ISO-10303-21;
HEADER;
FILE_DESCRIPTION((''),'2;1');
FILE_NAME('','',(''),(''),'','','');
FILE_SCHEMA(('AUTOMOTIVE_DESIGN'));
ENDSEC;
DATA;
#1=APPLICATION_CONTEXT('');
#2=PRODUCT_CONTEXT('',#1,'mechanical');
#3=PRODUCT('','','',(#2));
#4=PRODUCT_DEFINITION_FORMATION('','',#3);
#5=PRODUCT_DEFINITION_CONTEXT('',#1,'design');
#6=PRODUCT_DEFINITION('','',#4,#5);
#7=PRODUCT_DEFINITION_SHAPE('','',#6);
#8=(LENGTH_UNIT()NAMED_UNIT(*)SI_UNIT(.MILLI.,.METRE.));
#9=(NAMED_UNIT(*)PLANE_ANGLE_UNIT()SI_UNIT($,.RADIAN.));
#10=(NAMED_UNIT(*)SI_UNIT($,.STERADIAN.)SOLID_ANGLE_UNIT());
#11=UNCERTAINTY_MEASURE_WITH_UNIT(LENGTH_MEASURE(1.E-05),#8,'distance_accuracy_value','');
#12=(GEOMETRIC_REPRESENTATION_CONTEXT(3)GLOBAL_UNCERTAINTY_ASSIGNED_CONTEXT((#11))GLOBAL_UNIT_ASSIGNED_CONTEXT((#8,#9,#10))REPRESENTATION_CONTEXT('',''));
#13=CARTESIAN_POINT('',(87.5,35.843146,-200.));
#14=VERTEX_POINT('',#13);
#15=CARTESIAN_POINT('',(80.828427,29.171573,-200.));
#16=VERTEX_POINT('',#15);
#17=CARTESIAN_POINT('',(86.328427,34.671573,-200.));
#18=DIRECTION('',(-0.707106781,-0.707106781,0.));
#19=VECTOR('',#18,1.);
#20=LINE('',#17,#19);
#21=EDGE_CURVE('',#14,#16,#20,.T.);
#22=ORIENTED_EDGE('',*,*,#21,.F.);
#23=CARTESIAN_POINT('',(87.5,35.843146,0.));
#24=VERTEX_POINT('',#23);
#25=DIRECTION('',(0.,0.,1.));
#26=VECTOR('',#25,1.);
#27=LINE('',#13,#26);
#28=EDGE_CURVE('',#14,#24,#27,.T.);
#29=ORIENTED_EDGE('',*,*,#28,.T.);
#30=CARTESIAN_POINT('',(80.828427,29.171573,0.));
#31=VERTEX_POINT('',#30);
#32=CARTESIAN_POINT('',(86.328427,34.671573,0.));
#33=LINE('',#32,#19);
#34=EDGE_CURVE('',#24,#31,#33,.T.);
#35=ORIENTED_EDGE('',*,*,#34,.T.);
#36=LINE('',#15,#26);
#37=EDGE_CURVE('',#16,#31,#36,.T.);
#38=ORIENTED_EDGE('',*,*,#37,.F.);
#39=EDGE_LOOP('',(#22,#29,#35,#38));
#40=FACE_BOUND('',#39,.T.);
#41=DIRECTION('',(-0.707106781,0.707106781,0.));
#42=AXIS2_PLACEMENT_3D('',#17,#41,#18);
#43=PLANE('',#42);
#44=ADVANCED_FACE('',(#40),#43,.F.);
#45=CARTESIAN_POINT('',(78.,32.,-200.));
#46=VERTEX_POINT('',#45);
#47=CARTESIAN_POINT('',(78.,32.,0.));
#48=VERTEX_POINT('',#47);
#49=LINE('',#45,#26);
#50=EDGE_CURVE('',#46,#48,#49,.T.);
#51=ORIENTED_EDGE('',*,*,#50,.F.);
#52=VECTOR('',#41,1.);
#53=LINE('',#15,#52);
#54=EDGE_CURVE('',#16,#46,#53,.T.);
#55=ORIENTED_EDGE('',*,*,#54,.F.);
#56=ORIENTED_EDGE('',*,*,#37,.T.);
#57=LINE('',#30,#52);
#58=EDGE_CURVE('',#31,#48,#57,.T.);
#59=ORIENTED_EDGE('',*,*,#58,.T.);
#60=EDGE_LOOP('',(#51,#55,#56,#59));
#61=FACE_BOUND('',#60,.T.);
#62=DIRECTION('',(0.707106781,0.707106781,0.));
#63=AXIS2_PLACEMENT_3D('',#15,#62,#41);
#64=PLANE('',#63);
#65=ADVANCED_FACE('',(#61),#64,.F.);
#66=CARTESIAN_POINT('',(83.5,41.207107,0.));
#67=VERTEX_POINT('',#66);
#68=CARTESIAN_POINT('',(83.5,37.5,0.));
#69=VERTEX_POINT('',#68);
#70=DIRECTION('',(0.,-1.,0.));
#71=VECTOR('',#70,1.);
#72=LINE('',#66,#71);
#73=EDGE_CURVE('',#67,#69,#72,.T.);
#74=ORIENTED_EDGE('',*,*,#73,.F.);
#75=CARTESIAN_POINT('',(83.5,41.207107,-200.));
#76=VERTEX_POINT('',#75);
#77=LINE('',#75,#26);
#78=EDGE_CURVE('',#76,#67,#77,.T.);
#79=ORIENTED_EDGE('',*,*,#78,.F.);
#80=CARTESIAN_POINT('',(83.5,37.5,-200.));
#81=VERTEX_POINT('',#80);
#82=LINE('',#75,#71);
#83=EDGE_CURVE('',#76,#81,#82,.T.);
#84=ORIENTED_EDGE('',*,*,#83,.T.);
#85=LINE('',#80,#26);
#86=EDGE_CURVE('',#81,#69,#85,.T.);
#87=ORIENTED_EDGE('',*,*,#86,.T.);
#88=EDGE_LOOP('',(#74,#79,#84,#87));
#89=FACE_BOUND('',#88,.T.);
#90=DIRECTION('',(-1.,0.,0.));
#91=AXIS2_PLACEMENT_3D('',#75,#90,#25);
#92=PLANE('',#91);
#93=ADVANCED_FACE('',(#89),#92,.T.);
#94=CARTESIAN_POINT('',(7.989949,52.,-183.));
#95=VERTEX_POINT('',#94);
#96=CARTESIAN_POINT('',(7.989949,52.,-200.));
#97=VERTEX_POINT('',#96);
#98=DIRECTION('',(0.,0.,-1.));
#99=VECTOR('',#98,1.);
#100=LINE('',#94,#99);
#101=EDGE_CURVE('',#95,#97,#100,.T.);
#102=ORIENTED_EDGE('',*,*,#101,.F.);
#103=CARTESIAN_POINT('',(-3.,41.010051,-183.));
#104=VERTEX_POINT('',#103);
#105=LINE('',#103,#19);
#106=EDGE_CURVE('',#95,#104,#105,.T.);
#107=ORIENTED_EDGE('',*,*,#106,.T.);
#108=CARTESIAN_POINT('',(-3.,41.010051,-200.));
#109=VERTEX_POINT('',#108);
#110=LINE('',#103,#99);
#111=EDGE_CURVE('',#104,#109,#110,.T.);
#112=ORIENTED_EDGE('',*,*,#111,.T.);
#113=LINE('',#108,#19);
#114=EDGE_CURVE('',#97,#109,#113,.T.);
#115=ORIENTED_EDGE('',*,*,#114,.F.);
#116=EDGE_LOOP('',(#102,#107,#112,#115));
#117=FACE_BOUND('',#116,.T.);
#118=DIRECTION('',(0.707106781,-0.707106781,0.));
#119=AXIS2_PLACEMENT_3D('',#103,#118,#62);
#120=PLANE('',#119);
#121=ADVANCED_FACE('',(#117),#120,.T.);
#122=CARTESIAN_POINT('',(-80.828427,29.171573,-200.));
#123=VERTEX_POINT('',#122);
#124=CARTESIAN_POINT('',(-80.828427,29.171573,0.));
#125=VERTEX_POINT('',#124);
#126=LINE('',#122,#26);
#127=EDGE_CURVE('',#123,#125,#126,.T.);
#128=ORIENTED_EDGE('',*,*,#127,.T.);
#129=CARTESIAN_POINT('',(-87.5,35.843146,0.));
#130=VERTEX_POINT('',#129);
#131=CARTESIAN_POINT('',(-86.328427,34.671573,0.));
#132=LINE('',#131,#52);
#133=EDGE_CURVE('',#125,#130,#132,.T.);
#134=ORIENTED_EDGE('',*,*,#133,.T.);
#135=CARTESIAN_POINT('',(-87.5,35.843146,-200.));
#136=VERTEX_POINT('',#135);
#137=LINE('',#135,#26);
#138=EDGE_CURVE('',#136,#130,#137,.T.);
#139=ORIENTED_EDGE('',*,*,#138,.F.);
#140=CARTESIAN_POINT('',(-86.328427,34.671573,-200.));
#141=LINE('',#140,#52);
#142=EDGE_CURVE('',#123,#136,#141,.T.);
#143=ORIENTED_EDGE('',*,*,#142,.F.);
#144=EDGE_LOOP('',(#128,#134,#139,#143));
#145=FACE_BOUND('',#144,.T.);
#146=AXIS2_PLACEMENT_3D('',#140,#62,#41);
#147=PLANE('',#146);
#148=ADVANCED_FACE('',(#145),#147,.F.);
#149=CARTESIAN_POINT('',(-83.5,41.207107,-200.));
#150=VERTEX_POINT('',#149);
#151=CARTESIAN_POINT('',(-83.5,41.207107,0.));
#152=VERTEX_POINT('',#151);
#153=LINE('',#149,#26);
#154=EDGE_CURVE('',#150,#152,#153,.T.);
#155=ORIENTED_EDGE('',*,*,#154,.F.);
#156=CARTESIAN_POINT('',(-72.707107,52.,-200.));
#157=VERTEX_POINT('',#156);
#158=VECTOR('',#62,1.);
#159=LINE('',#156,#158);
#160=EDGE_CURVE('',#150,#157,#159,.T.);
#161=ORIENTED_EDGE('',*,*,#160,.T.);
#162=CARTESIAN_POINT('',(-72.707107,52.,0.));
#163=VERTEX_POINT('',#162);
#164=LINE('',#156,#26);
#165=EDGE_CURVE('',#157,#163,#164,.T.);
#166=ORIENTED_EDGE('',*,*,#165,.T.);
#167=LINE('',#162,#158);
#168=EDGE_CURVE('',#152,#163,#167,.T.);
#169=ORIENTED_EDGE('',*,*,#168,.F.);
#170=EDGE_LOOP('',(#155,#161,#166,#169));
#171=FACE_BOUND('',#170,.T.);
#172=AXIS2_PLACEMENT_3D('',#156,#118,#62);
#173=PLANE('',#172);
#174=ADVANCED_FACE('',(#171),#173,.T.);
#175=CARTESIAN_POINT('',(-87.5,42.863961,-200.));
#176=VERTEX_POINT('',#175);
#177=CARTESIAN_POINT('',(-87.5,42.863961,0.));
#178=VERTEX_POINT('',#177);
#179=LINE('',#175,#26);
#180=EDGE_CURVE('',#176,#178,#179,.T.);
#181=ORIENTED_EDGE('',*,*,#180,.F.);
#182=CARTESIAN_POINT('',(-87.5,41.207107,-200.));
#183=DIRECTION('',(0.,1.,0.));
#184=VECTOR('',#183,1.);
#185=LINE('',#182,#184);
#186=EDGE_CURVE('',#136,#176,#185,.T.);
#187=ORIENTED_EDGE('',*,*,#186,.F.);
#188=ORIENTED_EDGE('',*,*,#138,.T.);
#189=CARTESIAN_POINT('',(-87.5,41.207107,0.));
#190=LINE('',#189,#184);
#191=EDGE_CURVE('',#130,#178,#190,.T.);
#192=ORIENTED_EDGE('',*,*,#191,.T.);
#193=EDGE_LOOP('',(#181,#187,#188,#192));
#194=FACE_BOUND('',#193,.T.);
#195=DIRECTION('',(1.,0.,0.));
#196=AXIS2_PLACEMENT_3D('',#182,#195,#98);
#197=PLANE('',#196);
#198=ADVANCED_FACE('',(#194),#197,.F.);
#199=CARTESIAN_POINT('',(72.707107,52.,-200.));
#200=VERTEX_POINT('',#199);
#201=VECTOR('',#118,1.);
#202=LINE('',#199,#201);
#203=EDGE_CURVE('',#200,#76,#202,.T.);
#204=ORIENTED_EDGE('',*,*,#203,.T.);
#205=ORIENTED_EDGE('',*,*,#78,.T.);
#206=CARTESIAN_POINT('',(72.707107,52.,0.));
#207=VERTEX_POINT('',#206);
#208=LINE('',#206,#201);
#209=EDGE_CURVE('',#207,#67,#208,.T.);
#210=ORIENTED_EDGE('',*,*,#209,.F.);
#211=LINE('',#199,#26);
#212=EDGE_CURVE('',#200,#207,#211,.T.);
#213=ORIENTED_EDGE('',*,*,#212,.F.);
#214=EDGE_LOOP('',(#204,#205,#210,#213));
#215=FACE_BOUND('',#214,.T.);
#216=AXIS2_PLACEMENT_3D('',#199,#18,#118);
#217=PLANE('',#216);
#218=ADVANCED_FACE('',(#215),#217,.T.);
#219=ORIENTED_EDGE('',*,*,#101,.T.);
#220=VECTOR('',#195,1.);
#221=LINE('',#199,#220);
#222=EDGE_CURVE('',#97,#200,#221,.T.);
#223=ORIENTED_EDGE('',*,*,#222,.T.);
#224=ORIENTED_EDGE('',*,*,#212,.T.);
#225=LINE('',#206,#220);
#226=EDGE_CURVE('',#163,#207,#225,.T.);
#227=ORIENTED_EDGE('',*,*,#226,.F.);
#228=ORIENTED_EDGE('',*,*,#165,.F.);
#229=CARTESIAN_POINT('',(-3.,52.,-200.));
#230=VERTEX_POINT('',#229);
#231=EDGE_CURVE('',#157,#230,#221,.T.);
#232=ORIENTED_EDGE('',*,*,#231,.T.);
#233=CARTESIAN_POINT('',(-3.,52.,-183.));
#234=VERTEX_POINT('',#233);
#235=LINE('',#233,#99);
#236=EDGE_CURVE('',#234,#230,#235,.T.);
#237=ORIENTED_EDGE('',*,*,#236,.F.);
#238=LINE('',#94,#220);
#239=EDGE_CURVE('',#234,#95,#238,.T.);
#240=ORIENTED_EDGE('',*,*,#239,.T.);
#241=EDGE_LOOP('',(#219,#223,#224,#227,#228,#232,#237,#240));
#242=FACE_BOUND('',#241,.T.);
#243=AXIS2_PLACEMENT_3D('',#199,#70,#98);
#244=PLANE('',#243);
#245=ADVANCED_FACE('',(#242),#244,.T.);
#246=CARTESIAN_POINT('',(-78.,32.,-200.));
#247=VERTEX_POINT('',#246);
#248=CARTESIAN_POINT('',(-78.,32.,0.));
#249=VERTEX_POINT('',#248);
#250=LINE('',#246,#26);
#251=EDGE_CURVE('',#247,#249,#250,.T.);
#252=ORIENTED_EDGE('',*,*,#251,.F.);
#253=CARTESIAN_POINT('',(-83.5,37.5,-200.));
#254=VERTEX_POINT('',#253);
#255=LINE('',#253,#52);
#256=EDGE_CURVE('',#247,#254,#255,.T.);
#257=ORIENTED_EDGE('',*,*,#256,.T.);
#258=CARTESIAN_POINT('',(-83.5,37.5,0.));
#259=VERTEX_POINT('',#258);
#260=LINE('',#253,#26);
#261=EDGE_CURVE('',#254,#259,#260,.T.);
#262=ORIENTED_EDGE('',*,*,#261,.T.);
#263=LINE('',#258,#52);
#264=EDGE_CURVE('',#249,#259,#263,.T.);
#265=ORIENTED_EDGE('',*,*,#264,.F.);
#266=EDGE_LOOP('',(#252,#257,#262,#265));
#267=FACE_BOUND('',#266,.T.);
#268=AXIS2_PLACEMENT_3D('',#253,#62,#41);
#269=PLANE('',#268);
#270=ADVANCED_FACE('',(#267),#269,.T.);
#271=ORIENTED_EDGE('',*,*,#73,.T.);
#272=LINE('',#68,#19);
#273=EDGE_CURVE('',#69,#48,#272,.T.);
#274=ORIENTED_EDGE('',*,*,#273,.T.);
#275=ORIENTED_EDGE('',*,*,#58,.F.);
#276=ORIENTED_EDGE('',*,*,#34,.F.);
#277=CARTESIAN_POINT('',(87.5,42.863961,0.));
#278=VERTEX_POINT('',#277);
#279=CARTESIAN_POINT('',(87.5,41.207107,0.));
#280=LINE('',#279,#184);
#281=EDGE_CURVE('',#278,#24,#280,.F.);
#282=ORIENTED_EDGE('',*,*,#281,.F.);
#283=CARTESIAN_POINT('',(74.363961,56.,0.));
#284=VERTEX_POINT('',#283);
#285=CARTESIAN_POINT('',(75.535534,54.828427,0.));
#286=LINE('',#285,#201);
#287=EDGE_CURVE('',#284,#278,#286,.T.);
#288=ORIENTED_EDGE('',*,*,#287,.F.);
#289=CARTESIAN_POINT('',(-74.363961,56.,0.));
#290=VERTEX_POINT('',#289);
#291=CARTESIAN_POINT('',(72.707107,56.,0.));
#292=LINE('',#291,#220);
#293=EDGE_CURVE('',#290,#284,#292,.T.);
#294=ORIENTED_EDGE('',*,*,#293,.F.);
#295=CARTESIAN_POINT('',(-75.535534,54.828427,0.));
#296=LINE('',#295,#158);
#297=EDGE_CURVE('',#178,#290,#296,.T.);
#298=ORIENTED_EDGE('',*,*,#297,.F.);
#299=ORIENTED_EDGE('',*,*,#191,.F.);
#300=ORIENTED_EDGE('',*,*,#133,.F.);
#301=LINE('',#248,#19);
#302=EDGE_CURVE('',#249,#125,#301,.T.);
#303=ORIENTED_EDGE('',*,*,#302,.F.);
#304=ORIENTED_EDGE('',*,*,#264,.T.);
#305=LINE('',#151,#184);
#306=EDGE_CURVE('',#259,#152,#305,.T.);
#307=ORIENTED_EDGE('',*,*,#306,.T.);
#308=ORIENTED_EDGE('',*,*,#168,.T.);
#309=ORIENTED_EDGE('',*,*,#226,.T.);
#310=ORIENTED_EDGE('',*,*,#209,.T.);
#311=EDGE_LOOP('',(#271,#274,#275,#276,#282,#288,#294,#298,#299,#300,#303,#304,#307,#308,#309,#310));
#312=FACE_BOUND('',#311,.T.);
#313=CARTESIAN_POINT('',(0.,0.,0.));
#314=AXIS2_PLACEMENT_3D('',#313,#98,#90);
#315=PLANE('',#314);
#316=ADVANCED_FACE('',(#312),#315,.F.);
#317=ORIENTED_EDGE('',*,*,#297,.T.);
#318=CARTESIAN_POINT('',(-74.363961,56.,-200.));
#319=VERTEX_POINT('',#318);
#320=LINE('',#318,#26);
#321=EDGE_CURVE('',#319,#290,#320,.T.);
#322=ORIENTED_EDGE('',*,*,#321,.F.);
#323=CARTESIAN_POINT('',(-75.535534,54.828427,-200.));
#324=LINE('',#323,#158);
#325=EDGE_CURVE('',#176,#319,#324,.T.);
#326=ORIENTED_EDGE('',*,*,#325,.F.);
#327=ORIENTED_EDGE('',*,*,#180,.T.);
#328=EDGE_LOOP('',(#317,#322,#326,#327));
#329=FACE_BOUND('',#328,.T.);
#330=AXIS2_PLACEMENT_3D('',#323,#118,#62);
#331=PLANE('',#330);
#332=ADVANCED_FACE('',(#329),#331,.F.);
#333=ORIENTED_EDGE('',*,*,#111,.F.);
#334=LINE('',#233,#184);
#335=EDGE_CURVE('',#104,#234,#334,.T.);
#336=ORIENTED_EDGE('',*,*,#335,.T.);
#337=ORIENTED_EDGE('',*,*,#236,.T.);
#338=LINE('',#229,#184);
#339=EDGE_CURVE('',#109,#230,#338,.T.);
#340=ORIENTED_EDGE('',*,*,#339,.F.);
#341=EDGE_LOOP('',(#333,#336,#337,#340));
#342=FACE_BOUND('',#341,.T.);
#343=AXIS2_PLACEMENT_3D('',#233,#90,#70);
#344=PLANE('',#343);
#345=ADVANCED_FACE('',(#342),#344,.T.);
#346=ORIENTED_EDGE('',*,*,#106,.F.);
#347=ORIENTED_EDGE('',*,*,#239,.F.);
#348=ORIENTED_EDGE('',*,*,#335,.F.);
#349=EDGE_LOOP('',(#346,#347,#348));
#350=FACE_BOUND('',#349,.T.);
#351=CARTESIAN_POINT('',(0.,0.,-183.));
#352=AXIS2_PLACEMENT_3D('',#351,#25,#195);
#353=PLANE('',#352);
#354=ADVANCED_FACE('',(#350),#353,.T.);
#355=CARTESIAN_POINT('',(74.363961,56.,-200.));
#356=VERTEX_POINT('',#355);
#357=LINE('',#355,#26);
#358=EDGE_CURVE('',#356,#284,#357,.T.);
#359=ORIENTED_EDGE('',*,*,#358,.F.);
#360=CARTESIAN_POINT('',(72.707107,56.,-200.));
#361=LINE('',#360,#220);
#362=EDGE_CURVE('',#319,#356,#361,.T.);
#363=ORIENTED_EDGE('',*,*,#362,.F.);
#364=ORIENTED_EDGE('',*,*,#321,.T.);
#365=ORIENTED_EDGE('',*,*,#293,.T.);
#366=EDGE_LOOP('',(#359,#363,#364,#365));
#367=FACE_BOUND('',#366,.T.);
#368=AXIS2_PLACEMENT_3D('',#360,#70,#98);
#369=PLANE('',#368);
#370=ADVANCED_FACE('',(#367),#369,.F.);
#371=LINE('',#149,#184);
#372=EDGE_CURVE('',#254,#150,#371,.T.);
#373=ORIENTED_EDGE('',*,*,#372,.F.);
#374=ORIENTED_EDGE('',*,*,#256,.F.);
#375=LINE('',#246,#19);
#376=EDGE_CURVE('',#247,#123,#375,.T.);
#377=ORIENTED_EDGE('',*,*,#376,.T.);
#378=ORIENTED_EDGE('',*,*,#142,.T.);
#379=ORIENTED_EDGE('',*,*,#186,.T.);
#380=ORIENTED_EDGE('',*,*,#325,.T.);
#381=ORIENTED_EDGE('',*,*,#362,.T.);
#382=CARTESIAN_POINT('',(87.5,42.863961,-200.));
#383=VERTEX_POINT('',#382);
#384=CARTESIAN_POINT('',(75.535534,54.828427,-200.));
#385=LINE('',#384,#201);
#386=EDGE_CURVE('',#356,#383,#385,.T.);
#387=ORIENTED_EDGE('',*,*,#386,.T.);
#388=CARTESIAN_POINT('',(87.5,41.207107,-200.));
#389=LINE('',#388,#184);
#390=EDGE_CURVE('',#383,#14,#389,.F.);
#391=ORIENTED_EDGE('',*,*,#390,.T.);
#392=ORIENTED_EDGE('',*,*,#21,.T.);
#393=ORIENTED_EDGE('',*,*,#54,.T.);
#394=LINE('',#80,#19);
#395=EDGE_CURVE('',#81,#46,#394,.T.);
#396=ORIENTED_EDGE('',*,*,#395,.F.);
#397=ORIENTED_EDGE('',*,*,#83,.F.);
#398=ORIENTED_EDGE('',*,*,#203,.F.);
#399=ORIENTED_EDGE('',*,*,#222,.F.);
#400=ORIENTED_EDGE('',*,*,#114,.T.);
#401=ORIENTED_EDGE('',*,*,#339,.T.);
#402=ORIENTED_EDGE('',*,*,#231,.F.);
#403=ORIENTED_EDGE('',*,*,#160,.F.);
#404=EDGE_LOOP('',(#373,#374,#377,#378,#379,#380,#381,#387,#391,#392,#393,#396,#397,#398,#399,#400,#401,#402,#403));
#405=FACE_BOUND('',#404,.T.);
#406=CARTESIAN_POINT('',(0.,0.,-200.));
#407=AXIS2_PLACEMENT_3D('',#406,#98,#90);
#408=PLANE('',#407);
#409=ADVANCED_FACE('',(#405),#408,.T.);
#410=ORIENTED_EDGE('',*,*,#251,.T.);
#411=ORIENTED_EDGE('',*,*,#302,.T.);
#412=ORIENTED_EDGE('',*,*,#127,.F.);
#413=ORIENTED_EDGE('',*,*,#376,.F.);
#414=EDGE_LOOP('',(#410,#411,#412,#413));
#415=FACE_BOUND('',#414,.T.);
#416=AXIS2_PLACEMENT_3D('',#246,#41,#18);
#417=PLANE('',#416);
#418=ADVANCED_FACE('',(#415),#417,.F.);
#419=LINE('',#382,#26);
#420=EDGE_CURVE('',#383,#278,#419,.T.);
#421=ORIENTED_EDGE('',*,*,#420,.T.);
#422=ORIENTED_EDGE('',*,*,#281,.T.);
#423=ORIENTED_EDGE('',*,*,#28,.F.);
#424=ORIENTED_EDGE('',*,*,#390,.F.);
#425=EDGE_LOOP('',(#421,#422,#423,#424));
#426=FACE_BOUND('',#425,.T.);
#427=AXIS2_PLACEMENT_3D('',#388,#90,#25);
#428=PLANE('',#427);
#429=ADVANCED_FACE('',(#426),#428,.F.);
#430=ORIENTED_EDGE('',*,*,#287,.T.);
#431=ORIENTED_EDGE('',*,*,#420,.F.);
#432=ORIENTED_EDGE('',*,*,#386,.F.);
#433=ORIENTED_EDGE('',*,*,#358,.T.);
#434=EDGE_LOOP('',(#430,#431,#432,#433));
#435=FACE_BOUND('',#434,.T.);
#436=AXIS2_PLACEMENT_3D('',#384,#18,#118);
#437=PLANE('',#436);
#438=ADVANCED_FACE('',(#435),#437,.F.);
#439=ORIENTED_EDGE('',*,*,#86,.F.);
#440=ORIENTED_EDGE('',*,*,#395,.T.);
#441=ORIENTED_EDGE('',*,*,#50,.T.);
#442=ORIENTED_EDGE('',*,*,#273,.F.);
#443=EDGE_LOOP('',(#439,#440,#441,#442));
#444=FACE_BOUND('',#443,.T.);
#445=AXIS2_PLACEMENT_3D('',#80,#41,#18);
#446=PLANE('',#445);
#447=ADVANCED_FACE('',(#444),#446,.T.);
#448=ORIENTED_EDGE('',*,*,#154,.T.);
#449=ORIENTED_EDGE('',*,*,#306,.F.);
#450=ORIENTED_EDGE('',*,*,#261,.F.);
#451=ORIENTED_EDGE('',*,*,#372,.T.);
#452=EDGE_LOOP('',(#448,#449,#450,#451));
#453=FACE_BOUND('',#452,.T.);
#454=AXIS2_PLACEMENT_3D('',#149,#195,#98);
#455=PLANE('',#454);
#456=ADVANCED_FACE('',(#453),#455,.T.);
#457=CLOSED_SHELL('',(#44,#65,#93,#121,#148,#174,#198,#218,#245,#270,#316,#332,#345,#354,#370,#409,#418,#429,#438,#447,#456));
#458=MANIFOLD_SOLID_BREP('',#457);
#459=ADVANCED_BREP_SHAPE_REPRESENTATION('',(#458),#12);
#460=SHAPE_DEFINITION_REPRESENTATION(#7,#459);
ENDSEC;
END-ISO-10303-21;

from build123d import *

# Parameters (mm, degrees)
EXTRUDE_1_DEPTH   = 200
EXTRUDE_1_2_DEPTH = 17


with BuildPart() as part:
    # 草图1 → Extrude 1 (new body)
    with BuildSketch(Plane.XY):
        Polygon((78, 32), (83.5, 37.5), (83.5, 41.207106781), (72.707106781, 52), (-72.707106781, 52), (-83.5, 41.207106781), (-83.5, 37.5), (-78, 32), (-80.828427125, 29.171572875), (-87.5, 35.843145751), (-87.5, 42.863961031), (-74.363961031, 56), (74.363961031, 56), (87.5, 42.863961031), (87.5, 35.843145751), (80.828427125, 29.171572875), align=None)
    extrude(amount=-EXTRUDE_1_DEPTH)

    # 草图2 → Extrude 1 2 (add)
    with BuildSketch(Plane(origin=(0, 0, -200), x_dir=(-1, 0, 0), z_dir=(0, 0, -1))):
        Polygon((-7.989949494, 52), (3, 52), (3, 41.010050506), align=None)
    extrude(amount=-EXTRUDE_1_2_DEPTH)


solid = part.part
